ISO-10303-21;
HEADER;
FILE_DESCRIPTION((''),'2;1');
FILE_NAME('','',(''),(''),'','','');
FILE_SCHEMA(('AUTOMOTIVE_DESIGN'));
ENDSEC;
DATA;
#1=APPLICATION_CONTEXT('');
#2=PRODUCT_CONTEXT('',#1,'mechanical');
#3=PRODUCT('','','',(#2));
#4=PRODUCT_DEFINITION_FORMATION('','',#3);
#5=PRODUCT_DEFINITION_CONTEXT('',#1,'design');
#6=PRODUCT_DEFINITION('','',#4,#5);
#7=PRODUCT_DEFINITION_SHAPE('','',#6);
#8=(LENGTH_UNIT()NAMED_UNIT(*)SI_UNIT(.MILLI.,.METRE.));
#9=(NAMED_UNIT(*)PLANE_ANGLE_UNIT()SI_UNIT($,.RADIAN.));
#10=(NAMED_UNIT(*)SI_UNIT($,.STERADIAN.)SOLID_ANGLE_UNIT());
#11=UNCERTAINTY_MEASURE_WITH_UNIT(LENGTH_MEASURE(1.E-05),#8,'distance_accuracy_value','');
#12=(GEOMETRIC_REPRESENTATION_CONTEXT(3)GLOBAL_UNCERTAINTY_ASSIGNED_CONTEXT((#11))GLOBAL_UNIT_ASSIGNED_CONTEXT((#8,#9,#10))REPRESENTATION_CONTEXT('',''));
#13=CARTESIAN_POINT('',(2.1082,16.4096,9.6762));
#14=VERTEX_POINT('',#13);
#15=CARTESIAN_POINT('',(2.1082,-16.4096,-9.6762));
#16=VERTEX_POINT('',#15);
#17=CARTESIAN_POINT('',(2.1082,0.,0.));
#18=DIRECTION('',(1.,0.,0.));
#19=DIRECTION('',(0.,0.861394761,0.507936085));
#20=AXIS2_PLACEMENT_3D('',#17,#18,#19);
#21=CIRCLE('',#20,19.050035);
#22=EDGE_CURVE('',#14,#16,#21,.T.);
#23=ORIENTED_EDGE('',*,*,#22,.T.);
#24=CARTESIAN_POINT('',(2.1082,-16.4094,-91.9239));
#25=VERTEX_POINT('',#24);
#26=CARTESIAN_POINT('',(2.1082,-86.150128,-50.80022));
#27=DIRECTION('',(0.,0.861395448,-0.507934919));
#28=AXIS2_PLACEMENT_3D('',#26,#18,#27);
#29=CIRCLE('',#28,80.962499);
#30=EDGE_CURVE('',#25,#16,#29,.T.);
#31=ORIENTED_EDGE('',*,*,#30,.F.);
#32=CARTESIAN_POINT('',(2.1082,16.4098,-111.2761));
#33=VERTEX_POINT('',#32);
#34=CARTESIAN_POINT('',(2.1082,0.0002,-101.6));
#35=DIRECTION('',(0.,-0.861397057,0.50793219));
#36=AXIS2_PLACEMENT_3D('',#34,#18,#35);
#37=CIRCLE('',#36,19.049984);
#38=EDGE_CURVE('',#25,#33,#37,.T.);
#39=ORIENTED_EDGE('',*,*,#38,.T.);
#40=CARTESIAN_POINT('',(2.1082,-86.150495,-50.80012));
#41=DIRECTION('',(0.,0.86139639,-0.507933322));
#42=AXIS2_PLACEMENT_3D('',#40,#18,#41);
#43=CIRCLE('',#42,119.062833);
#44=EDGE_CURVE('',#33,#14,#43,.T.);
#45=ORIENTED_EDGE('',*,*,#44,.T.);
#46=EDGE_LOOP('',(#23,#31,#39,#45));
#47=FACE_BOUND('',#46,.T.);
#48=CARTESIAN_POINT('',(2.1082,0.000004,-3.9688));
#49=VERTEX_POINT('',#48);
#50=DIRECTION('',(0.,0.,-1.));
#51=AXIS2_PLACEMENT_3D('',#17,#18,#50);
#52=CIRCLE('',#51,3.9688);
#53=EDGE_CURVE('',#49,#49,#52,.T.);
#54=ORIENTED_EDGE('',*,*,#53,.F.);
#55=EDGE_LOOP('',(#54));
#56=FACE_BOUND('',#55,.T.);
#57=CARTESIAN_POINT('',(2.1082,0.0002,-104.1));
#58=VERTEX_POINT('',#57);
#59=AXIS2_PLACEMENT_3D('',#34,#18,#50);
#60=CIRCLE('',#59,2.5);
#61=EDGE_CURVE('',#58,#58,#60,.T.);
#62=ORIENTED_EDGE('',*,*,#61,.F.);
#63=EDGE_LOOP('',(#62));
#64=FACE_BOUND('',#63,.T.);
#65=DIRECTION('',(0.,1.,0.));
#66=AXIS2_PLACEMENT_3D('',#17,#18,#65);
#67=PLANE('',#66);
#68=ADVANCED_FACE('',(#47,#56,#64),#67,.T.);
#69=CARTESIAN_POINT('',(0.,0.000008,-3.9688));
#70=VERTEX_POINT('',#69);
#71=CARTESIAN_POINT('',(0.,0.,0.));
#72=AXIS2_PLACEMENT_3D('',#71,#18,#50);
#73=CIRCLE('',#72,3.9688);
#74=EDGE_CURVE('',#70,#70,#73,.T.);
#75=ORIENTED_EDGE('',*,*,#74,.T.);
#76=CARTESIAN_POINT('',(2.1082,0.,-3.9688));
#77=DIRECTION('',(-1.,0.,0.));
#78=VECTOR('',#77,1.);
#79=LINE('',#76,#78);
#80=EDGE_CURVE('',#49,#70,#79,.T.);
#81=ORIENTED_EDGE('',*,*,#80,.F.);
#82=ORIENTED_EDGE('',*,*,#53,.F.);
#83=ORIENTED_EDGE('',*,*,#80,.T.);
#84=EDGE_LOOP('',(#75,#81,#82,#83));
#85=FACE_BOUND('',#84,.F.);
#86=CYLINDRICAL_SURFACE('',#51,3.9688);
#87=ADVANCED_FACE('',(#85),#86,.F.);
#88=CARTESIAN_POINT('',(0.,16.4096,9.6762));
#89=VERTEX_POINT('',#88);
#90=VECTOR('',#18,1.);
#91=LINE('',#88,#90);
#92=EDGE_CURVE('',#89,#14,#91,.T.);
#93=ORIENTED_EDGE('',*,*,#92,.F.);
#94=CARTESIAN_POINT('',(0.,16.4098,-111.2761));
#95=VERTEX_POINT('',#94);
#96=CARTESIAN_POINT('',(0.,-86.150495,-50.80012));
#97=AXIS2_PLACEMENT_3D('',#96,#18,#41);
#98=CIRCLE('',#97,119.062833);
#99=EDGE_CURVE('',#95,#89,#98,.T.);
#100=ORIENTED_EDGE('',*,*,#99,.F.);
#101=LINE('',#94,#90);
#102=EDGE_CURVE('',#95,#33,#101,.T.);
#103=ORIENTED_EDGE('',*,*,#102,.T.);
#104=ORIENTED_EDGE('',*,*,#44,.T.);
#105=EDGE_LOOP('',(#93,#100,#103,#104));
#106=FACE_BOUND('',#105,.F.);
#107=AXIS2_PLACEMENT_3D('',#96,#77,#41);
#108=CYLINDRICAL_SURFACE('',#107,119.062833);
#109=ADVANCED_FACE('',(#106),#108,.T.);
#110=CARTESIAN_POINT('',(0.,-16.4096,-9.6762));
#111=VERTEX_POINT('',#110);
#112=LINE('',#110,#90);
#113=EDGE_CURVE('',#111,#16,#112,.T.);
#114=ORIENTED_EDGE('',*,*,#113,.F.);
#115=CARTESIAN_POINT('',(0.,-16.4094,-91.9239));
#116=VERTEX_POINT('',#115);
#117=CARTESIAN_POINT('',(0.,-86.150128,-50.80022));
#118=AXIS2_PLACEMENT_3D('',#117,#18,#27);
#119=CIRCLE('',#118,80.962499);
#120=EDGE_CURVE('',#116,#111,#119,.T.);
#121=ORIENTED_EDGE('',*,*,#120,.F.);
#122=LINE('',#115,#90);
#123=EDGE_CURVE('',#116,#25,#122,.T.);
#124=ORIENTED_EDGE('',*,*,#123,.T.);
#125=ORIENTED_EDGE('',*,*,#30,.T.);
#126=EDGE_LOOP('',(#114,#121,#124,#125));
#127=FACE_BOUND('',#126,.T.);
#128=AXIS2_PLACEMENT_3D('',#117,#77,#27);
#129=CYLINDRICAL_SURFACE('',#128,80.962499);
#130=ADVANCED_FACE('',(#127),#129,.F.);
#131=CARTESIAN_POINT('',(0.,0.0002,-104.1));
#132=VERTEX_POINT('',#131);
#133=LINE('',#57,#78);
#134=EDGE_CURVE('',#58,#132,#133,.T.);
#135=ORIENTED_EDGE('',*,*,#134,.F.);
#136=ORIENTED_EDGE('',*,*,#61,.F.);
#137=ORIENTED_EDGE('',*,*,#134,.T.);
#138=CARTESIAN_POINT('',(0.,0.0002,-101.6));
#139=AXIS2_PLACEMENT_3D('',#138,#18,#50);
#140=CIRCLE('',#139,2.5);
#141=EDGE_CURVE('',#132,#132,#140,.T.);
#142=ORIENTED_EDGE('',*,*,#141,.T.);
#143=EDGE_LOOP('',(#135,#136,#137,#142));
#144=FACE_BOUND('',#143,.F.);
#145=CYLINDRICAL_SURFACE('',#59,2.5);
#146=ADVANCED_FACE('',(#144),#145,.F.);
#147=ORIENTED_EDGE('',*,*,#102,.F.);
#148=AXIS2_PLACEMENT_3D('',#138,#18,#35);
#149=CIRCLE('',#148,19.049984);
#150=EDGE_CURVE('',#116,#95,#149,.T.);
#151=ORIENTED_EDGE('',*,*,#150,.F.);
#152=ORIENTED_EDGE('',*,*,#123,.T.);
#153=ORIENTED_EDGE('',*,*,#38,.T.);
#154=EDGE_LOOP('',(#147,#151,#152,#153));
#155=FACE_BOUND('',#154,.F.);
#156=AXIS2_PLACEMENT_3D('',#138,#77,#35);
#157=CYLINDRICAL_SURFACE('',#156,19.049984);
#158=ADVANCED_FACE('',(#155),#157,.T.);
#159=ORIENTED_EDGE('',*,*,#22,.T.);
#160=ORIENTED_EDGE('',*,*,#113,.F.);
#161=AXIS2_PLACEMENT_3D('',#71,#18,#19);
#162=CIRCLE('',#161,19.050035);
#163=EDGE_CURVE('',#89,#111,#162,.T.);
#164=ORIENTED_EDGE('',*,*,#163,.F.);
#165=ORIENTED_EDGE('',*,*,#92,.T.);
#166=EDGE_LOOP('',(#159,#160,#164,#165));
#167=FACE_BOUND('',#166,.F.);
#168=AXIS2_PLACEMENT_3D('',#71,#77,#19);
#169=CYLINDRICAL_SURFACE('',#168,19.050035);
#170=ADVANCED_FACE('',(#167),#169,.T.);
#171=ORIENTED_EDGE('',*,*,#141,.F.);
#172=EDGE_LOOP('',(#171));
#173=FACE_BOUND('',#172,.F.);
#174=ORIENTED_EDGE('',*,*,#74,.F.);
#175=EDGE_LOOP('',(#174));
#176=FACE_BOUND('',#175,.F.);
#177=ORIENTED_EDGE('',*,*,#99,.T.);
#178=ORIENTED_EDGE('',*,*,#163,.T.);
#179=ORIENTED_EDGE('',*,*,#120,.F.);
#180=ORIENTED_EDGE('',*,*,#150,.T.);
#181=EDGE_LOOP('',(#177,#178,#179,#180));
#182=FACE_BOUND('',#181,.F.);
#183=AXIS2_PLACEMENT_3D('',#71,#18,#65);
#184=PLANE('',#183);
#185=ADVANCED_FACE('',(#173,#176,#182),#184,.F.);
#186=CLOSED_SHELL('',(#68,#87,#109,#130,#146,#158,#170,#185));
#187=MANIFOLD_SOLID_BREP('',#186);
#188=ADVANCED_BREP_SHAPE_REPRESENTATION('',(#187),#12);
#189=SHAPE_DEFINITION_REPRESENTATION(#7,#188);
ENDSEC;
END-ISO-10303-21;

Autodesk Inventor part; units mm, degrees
ref_plane "YZ Plane" through (0, 0, 0) normal (1, 0, 0) x (0, 1, 0)
ref_plane "XZ Plane" through (0, 0, 0) normal (0, 1, 0) x (-1, 0, 0)
ref_plane "XY Plane" through (0, 0, 0) normal (0, 0, 1) x (1, 0, 0)
sketch "Sketch1" plane through (0, 0, 0) normal (1, 0, 0) x (0, 1, 0)
  line L0 (0, 0) -> (0.0002, -101.6)
  arc A0 (0.0002, -101.6) -> (0, 0) centre (-86.1502, -50.8002) ccw construction
  arc A1 (16.4098, -111.2761) -> (16.4096, 9.6762) centre (-86.1502, -50.8002) ccw
  arc A2 (-16.4094, -91.9239) -> (-16.4096, -9.6762) centre (-86.1502, -50.8002) ccw
  arc A3 (-16.4094, -91.9239) -> (16.4098, -111.2761) centre (0.0002, -101.6) ccw
  arc A4 (16.4096, 9.6762) -> (-16.4096, -9.6762) centre (0, 0) ccw
  circle A5 centre (0, 0) radius 3.9688
  circle A6 centre (0.0002, -101.6) radius 3.9688
  dimension "d9" = 101.6
  dimension "d10" = 38.1
  dimension "d13" = 7.9375
  dimension "d14" = 7.9375
extrude "Extrusion1" add sketch "Sketch1" along normal blind 2.1082 contours A6 | A5 | A3 A2 A4 A1
sketch "Sketch3" plane through (2.1082, 0, 0) normal (1, 0, 0) x (0, 0, -1)
  circle A0 centre (0, 0) radius 3.9688
  arc A1 (91.9239, -16.4094) -> (111.2761, 16.4098) centre (101.6, 0.0002) ccw projected
  circle A2 centre (101.6, 0.0002) radius 2.5
  dimension "d19" = 7.9375
  dimension "d20" = 5
extrude "Extrusion3" cut sketch "Sketch3" against normal through all
equation "\"d21\" = d20"
properties part number "Cannon"
